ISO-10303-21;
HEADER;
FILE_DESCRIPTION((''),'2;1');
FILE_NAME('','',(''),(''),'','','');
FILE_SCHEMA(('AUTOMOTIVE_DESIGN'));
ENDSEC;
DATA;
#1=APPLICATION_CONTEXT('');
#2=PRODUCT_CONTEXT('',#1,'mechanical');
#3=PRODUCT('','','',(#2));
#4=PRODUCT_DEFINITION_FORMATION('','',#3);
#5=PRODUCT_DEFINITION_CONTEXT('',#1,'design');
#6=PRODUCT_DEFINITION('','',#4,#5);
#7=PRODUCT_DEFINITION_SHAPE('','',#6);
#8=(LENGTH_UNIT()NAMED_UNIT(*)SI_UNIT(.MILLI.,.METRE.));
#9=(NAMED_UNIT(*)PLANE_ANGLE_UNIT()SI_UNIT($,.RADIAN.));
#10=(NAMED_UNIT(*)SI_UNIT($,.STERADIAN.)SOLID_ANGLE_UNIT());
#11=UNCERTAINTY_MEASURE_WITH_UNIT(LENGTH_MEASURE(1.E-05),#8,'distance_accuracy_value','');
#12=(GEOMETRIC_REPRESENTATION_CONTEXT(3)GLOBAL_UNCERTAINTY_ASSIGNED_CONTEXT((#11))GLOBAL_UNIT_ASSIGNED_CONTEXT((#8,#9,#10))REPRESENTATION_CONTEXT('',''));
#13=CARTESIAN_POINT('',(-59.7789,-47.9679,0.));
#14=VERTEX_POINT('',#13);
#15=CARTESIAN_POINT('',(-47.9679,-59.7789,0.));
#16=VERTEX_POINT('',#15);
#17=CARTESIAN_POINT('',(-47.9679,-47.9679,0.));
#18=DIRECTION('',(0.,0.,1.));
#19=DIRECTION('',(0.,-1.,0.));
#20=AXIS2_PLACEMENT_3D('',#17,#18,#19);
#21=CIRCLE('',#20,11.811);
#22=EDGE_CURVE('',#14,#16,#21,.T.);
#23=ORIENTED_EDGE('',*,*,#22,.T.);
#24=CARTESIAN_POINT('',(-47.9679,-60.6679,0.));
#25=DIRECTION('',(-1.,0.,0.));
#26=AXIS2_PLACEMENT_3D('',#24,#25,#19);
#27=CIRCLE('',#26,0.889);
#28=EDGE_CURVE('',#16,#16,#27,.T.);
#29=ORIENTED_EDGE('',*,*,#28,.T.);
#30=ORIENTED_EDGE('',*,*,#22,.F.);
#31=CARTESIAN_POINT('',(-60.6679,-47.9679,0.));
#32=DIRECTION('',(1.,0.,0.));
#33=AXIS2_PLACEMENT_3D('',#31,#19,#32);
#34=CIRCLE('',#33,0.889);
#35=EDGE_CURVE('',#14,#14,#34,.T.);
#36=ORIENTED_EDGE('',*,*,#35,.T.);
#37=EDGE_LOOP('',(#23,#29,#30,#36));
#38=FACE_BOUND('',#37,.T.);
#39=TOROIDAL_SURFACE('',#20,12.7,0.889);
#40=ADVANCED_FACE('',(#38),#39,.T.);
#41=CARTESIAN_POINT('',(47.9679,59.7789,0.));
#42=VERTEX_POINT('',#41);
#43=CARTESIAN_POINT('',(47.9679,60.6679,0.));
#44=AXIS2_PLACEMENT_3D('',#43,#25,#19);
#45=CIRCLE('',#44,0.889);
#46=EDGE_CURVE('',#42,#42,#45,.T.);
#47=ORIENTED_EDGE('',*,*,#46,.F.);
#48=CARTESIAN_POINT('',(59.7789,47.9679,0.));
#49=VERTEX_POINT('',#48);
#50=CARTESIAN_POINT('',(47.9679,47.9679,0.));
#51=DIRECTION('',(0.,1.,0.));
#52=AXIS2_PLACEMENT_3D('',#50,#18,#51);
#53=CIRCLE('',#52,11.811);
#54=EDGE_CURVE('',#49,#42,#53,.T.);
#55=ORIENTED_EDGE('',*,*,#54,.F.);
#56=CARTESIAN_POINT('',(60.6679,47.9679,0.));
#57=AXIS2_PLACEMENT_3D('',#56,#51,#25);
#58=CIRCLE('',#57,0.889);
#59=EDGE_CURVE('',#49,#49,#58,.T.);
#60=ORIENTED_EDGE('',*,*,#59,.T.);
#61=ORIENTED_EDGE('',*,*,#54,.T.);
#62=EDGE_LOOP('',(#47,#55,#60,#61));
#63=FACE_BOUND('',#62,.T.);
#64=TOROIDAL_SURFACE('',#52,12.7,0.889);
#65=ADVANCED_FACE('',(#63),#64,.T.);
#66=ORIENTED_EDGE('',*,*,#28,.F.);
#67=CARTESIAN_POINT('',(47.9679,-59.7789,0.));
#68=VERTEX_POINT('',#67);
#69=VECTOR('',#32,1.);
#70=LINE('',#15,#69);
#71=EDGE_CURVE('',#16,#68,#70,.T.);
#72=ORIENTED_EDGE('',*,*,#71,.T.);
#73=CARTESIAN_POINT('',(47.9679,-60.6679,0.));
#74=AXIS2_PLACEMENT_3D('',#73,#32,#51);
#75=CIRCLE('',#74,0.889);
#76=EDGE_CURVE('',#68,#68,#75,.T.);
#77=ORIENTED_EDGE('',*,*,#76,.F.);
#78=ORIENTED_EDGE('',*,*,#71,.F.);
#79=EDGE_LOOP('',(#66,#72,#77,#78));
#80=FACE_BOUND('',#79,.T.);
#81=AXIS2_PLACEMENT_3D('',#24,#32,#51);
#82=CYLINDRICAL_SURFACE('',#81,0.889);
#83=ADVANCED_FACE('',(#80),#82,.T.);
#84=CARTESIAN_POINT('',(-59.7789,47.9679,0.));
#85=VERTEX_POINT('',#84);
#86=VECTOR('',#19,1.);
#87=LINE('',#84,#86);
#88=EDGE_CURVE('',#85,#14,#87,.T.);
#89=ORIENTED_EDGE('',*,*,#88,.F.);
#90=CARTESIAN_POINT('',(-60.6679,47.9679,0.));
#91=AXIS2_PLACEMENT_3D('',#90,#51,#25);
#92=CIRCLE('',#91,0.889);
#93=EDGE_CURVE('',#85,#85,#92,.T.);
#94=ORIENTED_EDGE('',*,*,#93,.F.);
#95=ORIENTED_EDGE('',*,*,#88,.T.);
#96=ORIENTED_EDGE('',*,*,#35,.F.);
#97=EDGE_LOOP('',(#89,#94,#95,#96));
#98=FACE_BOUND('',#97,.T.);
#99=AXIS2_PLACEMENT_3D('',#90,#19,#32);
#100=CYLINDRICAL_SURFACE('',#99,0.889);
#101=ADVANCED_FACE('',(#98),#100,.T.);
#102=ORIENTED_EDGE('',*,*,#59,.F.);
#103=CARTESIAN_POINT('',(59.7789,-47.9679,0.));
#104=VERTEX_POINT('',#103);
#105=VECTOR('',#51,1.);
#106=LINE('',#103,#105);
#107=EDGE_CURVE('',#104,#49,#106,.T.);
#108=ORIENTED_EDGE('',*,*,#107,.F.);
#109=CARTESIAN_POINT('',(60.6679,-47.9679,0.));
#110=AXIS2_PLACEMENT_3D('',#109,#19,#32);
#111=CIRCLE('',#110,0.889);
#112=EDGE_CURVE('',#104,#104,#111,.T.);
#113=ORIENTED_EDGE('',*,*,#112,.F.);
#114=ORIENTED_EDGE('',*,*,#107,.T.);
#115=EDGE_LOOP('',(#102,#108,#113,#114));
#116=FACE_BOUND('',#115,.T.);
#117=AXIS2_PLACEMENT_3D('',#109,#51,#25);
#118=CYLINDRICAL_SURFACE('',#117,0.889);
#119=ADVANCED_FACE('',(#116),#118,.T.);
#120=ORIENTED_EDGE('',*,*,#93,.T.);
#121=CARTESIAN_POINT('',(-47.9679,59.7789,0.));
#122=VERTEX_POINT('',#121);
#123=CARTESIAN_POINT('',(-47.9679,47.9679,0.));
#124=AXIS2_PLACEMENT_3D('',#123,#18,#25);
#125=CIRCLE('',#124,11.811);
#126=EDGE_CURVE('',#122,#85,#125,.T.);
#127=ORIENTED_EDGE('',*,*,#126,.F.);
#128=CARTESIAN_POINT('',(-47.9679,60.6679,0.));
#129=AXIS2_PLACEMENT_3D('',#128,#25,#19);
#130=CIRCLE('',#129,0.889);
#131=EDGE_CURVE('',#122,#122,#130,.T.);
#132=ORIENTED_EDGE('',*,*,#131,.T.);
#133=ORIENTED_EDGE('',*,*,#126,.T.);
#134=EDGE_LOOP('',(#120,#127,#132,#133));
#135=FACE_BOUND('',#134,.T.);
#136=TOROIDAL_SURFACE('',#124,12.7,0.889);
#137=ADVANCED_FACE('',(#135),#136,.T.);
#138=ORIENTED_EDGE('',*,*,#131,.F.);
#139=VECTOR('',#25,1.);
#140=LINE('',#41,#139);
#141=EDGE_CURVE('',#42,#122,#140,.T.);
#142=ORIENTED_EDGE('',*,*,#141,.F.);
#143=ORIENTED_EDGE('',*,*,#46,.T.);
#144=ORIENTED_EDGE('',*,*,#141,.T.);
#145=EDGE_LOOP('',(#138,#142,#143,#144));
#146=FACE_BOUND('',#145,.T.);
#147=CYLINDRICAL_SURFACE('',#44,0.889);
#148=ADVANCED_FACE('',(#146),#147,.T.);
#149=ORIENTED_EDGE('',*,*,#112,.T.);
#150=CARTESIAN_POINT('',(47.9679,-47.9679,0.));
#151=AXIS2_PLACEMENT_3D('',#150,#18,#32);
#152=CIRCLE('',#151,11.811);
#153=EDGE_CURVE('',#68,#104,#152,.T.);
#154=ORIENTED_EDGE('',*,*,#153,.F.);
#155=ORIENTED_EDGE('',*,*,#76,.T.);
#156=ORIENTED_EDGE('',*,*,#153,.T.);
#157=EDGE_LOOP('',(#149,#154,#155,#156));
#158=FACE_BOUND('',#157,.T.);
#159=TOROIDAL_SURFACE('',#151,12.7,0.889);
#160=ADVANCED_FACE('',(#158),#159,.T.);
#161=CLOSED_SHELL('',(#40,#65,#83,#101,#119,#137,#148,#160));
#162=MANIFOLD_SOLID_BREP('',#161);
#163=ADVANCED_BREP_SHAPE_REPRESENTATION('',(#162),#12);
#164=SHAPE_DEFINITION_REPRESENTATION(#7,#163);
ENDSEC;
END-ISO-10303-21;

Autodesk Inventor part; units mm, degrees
ref_plane "YZ Plane" through (0, 0, 0) normal (1, 0, 0) x (0, 1, 0)
ref_plane "XZ Plane" through (0, 0, 0) normal (0, 1, 0) x (-1, 0, 0)
ref_plane "XY Plane" through (0, 0, 0) normal (0, 0, 1) x (1, 0, 0)
sketch "Sketch17" plane through (0, 0, 0) normal (0, 0, -1) x (-1, 0, 0)
  line L0 (-47.9679, 60.6679) -> (47.9679, 60.6679)
  line L1 (60.6679, 47.9679) -> (60.6679, -47.9679)
  line L2 (47.9679, -60.6679) -> (-47.9679, -60.6679)
  line L3 (-60.6679, -47.9679) -> (-60.6679, 47.9679)
  arc A0 (-47.9679, 60.6679) -> (-60.6679, 47.9679) centre (-47.9679, 47.9679) ccw
  arc A1 (60.6679, 47.9679) -> (47.9679, 60.6679) centre (47.9679, 47.9679) ccw
  arc A2 (47.9679, -60.6679) -> (60.6679, -47.9679) centre (47.9679, -47.9679) ccw
  arc A3 (-60.6679, -47.9679) -> (-47.9679, -60.6679) centre (-47.9679, -47.9679) ccw
  point P0 (0, 60.6679)
  point P1 (60.6679, 0)
  point P2 (0, 0)
  dimension "d126" = 12.7
  dimension "d127" = 19.9491
  dimension "d128" = 95.9358
sketch "Sketch18" plane through (0, 0, 0) normal (0, 1, 0) x (-1, 0, 0)
  circle A0 centre (-60.6679, 0) radius 0.889
  point P0 (0, 0)
  dimension "d129" = 1.778
sweep "Sweep2" add profiles "Sketch18" path "Sketch17"
properties part number "9452K302" material "VERO BLACK"
